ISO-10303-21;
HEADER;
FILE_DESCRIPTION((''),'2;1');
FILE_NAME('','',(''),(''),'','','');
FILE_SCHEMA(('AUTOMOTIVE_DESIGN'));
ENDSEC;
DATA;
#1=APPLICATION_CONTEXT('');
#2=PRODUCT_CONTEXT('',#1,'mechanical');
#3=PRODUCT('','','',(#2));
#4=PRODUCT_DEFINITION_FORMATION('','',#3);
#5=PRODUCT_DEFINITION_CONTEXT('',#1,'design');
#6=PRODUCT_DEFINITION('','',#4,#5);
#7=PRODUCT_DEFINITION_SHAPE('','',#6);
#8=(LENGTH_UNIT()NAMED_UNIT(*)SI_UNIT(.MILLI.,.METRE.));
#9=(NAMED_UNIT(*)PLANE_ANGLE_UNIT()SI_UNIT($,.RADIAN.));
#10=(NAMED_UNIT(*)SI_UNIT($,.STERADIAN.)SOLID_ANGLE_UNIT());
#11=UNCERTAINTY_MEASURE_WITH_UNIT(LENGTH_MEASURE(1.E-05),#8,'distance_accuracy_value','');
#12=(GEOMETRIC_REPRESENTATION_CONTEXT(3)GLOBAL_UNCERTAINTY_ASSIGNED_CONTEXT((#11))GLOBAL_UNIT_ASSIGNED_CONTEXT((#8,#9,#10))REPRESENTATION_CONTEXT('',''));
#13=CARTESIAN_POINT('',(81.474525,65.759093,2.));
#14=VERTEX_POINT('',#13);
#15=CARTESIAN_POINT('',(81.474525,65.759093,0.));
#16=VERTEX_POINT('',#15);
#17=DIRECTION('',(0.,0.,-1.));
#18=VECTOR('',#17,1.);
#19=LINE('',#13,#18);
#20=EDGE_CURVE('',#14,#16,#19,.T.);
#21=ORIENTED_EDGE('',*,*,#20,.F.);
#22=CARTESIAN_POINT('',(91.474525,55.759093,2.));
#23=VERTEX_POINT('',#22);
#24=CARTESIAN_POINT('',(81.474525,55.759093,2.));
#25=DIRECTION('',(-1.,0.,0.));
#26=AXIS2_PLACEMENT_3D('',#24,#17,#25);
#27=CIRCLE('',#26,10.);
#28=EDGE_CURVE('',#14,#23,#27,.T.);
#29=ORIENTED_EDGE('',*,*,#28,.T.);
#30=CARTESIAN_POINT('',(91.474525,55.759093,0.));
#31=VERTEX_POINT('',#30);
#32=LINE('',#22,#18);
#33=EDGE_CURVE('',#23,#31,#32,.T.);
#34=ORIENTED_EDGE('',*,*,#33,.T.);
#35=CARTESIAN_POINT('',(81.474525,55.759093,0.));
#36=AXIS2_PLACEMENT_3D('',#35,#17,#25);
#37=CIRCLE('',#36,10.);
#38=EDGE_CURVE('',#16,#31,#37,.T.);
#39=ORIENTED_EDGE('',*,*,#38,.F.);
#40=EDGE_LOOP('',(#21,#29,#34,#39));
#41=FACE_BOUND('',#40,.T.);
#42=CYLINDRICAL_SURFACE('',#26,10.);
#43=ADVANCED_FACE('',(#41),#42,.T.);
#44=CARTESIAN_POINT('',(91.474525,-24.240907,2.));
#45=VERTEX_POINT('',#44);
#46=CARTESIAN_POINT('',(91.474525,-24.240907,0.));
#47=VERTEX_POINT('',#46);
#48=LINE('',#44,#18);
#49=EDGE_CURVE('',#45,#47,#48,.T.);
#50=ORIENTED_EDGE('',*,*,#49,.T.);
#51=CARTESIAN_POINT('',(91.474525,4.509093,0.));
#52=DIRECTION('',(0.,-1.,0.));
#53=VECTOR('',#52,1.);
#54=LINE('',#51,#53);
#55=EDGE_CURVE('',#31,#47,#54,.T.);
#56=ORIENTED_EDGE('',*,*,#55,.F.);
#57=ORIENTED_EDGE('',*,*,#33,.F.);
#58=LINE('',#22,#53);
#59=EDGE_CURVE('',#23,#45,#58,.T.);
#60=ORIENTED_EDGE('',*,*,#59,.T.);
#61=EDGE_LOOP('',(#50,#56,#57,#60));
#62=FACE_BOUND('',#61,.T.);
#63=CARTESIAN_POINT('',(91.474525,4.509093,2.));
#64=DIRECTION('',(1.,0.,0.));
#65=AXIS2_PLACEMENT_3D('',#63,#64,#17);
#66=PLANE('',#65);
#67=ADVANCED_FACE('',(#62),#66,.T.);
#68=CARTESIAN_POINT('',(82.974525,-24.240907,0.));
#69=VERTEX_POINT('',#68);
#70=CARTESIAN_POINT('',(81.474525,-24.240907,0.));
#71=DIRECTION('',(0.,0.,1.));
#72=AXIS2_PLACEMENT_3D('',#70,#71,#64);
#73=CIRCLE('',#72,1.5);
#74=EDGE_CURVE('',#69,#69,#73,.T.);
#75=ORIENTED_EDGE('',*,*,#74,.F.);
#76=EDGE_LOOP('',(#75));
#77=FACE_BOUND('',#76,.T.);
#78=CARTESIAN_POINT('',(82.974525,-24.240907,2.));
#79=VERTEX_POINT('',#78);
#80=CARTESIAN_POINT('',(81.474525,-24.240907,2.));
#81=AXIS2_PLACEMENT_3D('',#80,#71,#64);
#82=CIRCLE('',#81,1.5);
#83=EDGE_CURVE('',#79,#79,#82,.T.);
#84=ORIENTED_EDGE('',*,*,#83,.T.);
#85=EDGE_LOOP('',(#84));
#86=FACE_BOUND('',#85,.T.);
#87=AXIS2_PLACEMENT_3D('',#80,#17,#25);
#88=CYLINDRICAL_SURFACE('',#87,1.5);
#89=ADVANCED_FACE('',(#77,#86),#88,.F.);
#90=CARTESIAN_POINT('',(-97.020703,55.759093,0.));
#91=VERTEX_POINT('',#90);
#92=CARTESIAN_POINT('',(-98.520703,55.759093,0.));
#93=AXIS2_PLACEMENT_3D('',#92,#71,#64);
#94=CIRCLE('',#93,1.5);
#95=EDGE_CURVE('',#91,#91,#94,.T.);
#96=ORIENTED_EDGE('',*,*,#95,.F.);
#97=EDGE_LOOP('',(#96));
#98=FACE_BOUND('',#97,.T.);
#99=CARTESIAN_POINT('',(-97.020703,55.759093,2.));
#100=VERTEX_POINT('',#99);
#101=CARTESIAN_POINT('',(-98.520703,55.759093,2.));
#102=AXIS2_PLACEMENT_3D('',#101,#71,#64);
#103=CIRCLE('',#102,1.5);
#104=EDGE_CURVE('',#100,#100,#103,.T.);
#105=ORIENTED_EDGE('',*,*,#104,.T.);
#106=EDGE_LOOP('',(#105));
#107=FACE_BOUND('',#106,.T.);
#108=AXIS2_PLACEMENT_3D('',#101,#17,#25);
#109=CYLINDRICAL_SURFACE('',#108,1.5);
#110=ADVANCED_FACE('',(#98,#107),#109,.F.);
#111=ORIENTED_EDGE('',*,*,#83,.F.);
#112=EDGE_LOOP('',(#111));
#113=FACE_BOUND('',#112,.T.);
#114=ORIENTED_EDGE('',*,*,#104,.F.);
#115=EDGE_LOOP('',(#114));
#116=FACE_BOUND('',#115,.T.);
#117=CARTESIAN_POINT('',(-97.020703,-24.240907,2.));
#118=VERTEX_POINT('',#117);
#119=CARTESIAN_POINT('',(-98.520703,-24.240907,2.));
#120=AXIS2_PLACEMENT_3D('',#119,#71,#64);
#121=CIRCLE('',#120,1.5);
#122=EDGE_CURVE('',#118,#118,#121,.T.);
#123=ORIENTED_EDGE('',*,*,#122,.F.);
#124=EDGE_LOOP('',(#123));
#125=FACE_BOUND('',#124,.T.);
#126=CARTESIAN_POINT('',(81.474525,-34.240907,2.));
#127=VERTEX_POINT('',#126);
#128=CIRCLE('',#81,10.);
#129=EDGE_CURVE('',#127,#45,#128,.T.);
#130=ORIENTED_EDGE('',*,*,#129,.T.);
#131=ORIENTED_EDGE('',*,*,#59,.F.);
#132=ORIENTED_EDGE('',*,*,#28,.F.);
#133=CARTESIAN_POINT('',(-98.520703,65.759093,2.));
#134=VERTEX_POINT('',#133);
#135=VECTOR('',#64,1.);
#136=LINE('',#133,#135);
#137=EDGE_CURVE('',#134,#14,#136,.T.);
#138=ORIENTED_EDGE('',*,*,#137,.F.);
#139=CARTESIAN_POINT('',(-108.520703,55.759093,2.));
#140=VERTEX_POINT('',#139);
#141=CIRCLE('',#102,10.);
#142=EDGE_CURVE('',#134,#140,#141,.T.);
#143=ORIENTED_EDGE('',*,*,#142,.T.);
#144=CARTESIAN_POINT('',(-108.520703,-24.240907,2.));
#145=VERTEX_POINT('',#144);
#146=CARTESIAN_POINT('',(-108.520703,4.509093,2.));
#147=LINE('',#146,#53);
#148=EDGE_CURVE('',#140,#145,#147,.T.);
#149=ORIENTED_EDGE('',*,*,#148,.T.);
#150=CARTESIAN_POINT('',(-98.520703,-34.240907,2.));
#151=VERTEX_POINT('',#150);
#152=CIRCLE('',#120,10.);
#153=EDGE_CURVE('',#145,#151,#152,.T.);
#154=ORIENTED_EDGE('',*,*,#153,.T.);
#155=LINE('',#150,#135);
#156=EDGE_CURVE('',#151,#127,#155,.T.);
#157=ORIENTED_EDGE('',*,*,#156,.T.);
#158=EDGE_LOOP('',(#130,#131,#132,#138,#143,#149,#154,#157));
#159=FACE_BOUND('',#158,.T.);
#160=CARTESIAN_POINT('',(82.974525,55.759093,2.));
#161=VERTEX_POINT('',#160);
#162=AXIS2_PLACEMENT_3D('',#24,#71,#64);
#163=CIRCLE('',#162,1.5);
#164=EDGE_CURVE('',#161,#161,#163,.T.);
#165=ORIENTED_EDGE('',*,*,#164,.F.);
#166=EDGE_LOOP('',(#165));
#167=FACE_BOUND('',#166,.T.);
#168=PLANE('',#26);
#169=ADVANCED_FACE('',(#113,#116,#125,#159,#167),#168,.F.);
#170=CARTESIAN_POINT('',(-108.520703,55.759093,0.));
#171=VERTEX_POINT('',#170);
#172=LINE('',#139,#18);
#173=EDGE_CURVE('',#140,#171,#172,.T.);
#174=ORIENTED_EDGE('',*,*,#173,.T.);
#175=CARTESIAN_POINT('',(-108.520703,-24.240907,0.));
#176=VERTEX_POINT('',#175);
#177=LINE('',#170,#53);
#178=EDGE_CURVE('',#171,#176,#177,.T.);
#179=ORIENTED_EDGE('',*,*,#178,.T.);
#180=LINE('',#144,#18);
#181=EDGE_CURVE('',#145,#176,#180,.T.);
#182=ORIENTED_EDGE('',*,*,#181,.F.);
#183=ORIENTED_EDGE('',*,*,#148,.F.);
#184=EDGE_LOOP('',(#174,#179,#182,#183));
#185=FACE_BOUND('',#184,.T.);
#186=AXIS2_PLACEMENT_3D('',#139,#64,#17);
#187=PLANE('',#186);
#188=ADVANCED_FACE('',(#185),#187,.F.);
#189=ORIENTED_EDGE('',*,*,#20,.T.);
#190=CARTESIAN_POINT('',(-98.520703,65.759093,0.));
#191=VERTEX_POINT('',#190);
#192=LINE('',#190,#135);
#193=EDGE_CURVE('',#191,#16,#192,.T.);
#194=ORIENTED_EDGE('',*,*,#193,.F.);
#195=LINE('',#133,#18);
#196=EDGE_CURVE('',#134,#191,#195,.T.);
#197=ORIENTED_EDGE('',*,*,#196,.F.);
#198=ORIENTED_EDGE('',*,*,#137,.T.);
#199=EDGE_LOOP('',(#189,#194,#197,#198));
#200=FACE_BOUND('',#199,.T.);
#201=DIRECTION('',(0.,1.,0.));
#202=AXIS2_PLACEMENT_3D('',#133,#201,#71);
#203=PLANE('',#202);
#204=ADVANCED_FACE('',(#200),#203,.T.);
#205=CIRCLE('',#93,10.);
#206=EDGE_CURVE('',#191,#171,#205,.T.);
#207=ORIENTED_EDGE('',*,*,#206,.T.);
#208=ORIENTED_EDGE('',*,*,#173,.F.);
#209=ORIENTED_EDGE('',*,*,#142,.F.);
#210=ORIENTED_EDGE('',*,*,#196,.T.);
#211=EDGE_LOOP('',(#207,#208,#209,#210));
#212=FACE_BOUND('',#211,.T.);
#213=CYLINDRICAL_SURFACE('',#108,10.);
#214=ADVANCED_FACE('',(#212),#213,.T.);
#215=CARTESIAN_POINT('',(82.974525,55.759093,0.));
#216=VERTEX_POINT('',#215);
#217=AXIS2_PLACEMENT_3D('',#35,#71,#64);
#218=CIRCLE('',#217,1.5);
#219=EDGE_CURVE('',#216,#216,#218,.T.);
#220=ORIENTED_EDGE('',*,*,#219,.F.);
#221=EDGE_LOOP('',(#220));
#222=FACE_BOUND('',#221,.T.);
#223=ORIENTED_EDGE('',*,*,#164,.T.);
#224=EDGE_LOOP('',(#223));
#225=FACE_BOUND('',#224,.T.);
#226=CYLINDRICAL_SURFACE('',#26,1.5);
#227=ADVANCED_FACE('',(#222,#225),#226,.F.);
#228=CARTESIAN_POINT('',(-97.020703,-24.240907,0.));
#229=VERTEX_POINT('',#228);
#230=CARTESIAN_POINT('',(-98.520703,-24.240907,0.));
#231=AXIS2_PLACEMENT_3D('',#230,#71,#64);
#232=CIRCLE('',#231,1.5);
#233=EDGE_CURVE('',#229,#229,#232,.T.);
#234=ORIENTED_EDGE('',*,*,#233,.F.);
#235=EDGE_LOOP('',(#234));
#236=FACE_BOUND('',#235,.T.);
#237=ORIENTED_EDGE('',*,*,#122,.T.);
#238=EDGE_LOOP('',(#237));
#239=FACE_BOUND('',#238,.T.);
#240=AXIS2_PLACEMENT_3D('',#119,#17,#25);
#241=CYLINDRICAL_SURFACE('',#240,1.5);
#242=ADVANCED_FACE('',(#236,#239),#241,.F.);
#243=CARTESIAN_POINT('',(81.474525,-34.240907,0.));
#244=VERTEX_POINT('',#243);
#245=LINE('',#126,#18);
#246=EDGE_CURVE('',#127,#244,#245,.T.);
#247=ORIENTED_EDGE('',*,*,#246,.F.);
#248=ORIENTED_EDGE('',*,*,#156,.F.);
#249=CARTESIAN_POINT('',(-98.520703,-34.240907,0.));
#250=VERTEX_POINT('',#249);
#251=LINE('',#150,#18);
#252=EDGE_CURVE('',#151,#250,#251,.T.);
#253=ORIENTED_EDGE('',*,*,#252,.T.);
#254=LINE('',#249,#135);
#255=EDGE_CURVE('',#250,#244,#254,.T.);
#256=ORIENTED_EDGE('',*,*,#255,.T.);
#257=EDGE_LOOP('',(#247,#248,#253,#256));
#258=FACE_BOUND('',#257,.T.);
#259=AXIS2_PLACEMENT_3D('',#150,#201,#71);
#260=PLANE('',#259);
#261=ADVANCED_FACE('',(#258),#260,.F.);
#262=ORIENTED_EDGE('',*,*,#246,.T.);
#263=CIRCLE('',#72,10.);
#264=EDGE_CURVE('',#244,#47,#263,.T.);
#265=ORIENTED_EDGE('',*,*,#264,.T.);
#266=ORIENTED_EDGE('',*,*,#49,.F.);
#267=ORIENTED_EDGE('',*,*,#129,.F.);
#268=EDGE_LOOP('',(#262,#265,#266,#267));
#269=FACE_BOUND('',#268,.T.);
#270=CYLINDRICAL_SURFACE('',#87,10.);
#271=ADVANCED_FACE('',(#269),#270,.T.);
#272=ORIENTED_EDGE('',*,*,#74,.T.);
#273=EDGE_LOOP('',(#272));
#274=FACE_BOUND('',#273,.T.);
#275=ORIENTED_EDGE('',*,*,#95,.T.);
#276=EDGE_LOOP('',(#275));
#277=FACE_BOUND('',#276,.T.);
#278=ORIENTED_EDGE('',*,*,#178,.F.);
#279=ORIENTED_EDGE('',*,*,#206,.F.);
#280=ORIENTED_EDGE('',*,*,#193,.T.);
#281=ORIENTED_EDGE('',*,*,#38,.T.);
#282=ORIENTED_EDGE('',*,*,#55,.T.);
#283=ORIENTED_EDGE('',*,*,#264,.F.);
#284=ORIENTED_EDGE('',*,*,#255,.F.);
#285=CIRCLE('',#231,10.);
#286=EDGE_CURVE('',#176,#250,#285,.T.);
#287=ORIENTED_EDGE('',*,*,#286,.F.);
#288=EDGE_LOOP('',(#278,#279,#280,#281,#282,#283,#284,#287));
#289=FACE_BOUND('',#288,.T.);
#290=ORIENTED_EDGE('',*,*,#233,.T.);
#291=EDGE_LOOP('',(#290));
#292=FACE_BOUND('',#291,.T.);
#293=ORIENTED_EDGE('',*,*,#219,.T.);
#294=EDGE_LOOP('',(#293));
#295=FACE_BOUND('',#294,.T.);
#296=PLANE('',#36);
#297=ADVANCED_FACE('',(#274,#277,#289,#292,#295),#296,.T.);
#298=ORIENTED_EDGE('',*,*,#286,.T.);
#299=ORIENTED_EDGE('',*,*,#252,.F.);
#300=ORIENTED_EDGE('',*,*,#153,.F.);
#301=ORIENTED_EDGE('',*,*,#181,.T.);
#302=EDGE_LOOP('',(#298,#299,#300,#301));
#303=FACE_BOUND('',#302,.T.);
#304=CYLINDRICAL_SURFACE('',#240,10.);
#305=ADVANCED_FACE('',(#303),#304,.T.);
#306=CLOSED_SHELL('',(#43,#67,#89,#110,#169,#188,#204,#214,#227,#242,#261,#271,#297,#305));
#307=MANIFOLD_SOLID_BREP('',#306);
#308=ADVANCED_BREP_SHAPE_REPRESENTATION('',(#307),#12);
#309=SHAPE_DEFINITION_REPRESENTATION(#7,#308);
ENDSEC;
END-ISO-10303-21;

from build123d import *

# Parameters (mm, degrees)
SKETCH1_R           = 1.5
BOSS_EXTRUDE1_DEPTH = 2


with BuildPart() as part:
    # Sketch1 → Boss-Extrude1 (new body)
    with BuildSketch(Plane.XY):
        with BuildLine():
            Line((-108.52070268, 55.759093245), (-108.52070268, 27.009093245))
            Line((-108.52070268, 27.009093245), (-108.52070268, 4.509093245))
            Line((-108.52070268, 4.509093245), (-108.52070268, -24.240906755))
            ThreePointArc((-108.52070268, -24.240906755), (-105.591770492, -31.311974567), (-98.52070268, -34.240906755))
            Line((-98.52070268, -34.240906755), (81.474525228, -34.240906755))
            ThreePointArc((81.474525228, -34.240906755), (88.545593039, -31.311974567), (91.474525228, -24.240906755))
            Line((91.474525228, -24.240906755), (91.474525228, 4.509093245))
            Line((91.474525228, 4.509093245), (91.474525228, 27.009093245))
            Line((91.474525228, 27.009093245), (91.474525228, 55.759093245))
            ThreePointArc((91.474525228, 55.759093245), (88.545593039, 62.830161056), (81.474525228, 65.759093245))
            Line((81.474525228, 65.759093245), (-98.52070268, 65.759093245))
            ThreePointArc((-98.52070268, 65.759093245), (-105.591770492, 62.830161056), (-108.52070268, 55.759093245))
        make_face()
        with Locations((-98.52070268, 55.759093245)):
            Circle(SKETCH1_R, mode=Mode.SUBTRACT)
        with Locations((-98.52070268, -24.240906755)):
            Circle(SKETCH1_R, mode=Mode.SUBTRACT)
        with Locations((81.474525228, -24.240906755)):
            Circle(SKETCH1_R, mode=Mode.SUBTRACT)
        with Locations((81.474525228, 55.759093245)):
            Circle(SKETCH1_R, mode=Mode.SUBTRACT)
    extrude(amount=BOSS_EXTRUDE1_DEPTH)


solid = part.part
